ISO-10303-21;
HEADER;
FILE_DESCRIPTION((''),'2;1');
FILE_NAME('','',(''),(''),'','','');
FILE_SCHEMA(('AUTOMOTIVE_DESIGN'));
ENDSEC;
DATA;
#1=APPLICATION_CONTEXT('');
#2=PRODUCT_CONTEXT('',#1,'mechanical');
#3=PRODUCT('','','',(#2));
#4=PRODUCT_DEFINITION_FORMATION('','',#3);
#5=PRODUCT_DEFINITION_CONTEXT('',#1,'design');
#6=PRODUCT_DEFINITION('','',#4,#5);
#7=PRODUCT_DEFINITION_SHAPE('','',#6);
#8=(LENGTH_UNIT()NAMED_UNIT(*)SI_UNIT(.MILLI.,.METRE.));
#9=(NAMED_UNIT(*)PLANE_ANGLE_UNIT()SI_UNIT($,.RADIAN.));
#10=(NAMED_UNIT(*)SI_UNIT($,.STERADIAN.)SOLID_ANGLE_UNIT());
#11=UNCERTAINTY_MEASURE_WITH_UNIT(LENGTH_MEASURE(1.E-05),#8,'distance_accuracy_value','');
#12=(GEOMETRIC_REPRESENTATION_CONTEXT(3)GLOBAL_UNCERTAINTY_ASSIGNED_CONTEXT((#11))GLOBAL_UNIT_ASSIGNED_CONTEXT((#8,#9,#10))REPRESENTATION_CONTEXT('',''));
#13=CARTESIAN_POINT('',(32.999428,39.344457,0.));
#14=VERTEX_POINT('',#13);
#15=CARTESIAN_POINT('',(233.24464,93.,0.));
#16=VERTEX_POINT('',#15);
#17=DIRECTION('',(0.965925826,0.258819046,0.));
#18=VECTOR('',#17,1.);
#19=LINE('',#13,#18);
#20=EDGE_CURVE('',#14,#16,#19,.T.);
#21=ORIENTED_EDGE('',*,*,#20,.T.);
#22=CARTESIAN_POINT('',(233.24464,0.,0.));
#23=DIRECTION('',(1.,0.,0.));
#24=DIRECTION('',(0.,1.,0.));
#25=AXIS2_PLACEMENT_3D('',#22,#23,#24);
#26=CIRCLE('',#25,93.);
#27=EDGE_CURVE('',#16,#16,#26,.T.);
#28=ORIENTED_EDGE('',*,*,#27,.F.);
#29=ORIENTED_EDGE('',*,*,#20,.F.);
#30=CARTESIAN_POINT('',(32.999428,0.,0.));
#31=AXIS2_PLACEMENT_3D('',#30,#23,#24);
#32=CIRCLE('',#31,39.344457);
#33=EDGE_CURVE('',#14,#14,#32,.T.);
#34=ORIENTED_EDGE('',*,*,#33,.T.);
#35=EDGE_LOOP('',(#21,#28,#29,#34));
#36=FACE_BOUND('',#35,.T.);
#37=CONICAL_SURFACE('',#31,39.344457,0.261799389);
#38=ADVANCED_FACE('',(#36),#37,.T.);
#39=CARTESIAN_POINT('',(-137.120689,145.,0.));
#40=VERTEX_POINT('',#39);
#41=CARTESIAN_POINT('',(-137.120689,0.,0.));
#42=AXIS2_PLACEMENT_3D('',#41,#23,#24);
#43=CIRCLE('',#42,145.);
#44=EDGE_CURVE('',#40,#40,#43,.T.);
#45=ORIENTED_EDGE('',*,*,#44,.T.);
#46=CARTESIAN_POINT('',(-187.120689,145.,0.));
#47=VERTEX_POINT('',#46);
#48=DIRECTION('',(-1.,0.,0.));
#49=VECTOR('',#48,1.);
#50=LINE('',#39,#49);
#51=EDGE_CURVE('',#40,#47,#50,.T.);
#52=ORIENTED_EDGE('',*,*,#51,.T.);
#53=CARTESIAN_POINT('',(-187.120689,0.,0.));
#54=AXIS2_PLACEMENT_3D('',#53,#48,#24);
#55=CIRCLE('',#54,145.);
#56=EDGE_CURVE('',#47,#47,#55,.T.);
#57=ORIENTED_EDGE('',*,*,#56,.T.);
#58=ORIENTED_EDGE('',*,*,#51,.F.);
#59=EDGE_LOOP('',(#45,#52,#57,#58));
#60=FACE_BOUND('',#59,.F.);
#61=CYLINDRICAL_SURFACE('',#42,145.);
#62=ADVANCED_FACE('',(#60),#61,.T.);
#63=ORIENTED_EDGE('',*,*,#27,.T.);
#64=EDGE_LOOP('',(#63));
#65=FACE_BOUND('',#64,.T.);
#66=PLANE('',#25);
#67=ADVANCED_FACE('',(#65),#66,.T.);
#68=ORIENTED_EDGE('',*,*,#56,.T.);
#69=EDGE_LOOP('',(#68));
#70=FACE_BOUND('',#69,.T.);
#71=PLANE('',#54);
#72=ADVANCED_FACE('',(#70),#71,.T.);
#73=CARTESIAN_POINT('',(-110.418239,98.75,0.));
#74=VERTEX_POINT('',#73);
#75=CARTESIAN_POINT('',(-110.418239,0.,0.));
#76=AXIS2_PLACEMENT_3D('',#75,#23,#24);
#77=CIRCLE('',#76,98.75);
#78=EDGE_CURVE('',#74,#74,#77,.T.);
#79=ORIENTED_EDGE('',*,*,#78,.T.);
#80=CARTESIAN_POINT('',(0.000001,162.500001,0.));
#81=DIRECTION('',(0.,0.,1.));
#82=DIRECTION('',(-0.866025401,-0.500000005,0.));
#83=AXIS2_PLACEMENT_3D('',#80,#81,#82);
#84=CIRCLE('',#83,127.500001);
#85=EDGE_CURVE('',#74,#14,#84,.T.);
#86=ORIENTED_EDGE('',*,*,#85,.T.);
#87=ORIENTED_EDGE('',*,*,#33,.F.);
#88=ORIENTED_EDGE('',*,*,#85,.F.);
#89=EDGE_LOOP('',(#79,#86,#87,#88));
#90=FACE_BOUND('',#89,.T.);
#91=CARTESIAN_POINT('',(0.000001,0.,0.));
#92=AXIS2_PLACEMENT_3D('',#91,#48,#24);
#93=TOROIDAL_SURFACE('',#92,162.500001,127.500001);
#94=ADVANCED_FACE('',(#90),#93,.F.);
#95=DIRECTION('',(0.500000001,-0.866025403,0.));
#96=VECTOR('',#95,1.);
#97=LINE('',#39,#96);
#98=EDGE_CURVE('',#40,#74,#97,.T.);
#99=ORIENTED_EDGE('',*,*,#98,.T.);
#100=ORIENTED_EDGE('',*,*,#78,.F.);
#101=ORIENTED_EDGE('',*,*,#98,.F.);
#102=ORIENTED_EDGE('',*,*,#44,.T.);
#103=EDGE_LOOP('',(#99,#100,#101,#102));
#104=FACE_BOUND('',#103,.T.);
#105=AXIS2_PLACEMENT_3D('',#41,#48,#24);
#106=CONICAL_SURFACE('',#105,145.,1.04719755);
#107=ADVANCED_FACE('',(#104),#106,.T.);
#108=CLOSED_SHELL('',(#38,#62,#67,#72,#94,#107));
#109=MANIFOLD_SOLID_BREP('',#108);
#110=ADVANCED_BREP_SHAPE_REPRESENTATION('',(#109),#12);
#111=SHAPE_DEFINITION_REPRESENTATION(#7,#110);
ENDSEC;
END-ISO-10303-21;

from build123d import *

# Parameters (mm, degrees)
REVOLUTION_FACE4_R = 145
PAD_DEPTH          = 50


with BuildPart() as part:
    # Sketch → Revolution (revolve)
    with BuildSketch(Plane.XY):
        with BuildLine():
            ThreePointArc((-110.418239, 98.75), (-48.792138, 44.70536), (32.999428, 39.344457))
            Line((32.999428, 39.344457), (233.24464, 93))
            Line((233.24464, 93), (233.24464, 0))
            Line((-137.120689, 0), (233.24464, 0))
            Line((-137.120689, 145), (-137.120689, 0))
            Line((-137.120689, 145), (-110.418239, 98.75))
        make_face()
    revolve(axis=Axis((0, 0, 0), (1, 0, 0)))

    # Revolution Face4 → Pad (new)
    with BuildSketch(Plane(origin=(-137.120689, 0, 0), x_dir=(0, 1, 0), z_dir=(-1, 0, 0))):
        Circle(REVOLUTION_FACE4_R)
    extrude(amount=PAD_DEPTH)


solid = part.part
